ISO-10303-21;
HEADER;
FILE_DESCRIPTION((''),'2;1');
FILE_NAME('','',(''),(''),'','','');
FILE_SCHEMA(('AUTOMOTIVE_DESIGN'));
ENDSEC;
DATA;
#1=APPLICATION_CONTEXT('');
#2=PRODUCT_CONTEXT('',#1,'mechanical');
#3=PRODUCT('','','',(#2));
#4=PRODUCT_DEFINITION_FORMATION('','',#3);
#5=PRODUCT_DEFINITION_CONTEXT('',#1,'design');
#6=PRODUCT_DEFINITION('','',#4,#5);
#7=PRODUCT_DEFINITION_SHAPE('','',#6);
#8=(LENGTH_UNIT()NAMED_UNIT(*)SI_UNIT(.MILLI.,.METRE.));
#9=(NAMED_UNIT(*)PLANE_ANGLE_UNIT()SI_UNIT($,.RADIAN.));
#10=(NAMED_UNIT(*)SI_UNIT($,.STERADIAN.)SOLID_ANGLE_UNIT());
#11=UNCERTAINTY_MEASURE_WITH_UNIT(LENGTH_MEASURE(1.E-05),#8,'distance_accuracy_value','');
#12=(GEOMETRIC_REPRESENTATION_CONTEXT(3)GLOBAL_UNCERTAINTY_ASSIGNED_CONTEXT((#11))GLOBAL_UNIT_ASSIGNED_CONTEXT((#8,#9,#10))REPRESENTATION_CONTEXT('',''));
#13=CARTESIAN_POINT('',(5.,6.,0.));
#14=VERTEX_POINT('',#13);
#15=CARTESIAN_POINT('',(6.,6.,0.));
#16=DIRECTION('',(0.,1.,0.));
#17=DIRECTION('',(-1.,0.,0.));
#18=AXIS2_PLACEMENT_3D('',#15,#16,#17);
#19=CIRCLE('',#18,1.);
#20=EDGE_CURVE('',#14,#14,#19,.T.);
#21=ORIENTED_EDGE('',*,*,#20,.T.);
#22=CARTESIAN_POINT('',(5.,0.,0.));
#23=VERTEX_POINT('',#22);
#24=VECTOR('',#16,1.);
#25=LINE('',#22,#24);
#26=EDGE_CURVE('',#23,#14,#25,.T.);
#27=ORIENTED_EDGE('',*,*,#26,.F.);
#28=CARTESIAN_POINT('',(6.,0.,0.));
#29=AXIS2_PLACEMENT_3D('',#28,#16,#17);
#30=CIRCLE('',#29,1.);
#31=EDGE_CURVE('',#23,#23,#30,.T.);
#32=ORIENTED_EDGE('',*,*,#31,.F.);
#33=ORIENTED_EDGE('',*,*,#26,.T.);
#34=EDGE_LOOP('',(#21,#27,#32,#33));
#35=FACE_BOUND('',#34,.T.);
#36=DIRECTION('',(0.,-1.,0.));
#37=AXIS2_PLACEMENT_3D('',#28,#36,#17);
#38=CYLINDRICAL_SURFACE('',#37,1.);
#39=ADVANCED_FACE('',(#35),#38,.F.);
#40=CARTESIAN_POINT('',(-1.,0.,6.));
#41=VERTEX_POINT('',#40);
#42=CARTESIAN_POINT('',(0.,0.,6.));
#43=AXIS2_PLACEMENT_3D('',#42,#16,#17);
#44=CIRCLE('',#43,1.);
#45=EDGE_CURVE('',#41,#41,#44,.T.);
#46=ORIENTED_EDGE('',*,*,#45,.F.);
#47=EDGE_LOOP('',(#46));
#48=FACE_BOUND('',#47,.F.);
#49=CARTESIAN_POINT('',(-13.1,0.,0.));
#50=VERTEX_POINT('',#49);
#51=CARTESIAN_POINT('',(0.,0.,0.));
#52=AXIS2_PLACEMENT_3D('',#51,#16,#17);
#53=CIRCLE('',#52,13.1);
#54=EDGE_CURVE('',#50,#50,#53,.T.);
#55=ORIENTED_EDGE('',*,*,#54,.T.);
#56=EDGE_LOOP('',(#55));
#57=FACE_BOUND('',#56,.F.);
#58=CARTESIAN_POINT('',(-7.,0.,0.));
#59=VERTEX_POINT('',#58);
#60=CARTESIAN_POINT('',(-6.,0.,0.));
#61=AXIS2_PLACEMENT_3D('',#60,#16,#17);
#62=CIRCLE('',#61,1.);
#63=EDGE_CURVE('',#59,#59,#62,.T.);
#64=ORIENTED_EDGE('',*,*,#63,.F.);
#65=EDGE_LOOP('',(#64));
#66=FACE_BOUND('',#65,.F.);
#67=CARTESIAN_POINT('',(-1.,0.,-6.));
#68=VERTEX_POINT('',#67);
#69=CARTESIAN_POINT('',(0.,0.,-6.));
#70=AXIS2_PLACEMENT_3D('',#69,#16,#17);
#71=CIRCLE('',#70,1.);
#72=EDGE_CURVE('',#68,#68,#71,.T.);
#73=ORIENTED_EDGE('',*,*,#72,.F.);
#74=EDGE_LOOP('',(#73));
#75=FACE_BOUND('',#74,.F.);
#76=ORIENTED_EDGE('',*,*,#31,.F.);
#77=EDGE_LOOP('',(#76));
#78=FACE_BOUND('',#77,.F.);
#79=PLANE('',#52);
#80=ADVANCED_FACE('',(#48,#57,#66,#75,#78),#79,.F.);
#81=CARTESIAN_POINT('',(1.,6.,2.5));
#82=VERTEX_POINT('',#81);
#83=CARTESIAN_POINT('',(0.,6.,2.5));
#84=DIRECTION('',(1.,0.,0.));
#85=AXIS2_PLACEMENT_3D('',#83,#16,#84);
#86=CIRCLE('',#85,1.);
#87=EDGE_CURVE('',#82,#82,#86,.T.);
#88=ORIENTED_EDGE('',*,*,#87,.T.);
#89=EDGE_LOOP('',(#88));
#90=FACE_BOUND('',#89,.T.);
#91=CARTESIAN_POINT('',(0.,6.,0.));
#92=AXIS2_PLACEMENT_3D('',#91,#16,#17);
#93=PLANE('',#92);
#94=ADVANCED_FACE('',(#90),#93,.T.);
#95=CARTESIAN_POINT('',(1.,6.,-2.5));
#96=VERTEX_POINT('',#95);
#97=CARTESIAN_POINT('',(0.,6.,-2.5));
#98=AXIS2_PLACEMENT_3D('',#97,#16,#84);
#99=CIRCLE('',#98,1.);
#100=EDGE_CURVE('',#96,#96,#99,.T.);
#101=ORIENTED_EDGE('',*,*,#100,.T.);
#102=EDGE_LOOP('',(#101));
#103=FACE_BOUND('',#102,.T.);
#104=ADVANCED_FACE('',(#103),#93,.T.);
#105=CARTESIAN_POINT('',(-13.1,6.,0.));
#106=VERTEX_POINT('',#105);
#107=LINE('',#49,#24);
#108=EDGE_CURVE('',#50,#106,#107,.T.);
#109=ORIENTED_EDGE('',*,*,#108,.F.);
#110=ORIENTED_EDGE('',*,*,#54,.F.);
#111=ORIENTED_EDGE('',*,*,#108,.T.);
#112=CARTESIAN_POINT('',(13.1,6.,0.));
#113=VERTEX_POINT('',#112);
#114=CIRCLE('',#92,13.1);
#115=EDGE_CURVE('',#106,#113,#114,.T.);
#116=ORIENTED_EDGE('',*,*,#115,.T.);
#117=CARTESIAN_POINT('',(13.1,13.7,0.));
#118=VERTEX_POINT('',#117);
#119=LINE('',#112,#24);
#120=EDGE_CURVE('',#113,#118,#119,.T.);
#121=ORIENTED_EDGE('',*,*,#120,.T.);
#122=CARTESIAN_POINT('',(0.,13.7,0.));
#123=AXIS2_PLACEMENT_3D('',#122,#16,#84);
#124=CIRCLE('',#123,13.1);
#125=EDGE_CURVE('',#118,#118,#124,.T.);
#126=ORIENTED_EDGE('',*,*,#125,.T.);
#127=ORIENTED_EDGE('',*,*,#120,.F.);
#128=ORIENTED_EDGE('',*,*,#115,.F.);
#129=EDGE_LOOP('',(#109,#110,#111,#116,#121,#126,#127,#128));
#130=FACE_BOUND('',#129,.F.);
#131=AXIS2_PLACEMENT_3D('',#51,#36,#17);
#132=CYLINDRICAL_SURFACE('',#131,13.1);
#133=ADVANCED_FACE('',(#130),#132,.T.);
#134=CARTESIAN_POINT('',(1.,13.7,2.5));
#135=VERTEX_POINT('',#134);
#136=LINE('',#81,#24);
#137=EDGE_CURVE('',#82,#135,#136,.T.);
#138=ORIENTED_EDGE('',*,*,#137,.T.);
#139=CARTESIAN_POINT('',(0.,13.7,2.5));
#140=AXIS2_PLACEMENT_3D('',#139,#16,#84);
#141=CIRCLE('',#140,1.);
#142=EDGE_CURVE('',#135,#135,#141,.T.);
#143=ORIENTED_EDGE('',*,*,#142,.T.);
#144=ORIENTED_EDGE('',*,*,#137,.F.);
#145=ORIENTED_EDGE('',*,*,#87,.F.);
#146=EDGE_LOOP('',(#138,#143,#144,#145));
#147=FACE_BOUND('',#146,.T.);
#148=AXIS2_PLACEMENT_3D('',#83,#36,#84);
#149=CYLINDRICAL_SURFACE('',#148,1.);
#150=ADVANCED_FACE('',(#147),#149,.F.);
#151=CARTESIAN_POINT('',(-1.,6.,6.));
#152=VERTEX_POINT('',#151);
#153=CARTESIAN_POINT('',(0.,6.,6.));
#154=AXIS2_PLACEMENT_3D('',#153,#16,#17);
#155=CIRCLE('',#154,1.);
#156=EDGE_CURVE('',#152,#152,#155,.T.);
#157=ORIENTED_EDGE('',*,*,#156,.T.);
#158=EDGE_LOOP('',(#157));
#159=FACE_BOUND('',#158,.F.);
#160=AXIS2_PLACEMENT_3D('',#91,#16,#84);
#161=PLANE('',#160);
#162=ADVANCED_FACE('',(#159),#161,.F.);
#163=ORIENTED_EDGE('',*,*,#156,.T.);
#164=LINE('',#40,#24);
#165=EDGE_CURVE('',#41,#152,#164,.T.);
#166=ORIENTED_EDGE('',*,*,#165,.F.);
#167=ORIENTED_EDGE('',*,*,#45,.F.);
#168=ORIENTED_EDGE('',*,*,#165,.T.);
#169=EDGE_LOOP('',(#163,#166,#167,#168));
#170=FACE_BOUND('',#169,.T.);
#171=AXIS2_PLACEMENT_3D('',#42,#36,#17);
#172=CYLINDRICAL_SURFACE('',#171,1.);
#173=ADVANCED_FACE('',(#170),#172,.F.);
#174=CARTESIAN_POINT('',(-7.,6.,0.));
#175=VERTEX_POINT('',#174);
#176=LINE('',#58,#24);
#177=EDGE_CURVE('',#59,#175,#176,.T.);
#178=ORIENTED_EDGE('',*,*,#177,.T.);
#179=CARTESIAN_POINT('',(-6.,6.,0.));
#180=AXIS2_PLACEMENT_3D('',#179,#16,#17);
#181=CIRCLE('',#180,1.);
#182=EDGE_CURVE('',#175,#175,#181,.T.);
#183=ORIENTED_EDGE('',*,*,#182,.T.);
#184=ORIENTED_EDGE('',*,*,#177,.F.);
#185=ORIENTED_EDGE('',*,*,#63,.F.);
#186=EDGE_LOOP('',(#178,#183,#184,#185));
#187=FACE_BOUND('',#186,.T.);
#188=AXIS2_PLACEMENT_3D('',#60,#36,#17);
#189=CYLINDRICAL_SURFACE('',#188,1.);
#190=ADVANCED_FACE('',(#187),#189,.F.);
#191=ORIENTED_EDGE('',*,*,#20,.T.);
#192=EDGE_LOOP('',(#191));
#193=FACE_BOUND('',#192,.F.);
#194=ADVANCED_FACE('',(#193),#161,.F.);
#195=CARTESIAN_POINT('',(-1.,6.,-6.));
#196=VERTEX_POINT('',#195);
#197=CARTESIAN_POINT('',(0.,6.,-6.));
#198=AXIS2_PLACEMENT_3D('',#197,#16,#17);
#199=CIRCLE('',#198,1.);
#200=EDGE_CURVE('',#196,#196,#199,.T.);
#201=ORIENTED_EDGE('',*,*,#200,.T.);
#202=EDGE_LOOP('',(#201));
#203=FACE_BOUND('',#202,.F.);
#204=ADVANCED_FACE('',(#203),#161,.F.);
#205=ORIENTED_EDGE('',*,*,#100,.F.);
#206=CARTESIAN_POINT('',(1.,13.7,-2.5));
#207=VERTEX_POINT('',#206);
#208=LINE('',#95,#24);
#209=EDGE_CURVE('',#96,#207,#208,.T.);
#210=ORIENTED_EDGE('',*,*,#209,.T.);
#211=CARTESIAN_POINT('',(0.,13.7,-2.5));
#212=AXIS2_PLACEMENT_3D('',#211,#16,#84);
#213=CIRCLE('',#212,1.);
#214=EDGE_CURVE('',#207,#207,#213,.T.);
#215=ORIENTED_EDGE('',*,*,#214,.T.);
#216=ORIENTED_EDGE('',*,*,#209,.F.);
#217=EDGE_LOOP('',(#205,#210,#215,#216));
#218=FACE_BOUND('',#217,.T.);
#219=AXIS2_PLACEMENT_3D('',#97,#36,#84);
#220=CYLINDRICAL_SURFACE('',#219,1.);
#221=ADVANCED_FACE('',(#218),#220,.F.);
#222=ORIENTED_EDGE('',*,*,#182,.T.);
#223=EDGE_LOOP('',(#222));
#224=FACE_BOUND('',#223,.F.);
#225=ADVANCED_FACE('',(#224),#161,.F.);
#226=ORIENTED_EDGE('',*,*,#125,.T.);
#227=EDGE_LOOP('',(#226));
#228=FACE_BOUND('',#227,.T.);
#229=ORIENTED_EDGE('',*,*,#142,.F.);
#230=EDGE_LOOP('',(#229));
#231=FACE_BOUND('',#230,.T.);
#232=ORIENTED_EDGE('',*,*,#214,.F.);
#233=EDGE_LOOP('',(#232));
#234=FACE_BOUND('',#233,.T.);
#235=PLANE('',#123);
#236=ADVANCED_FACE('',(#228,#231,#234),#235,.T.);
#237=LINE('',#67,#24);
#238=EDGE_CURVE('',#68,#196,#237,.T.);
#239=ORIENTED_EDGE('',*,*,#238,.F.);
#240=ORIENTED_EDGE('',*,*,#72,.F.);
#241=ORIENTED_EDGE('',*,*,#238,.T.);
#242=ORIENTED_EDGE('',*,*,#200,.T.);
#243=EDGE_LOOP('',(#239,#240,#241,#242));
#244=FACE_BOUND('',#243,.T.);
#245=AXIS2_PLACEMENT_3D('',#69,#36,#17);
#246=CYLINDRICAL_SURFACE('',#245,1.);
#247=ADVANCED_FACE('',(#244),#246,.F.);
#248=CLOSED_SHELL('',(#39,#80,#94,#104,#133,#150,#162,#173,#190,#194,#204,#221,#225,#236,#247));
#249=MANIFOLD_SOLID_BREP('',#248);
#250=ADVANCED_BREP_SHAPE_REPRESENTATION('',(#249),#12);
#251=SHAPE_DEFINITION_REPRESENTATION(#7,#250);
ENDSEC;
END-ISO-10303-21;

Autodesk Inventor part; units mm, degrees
ref_plane "YZ Plane" through (0, 0, 0) normal (1, 0, 0) x (0, 1, 0)
ref_plane "XZ Plane" through (0, 0, 0) normal (0, 1, 0) x (-1, 0, 0)
ref_plane "XY Plane" through (0, 0, 0) normal (0, 0, 1) x (1, 0, 0)
sketch "Sketch1" plane through (0, 0, 0) normal (0, 1, 0) x (-1, 0, 0)
  circle A0 centre (0, 0) radius 6 construction
  circle A1 centre (6, 0) radius 1
  circle A2 centre (0, 6) radius 1
  circle A3 centre (-6, 0) radius 1
  circle A4 centre (0, -6) radius 1
  circle A5 centre (0, 0) radius 13.1
  dimension "d0" = 12
  dimension "d1" = 2
  dimension "d2" = 2
  dimension "d3" = 2
  dimension "d4" = 2
  dimension "d10" = 26.2
extrude "Extrusion1" add sketch "Sketch1" along normal blind 6
sketch "Sketch2" plane through (0, 6, 0) normal (0, 1, 0) x (1, 0, 0)
  circle A0 centre (0, 0) radius 13.1 projected
  circle A1 centre (0, 0) radius 2.5 construction
  circle A2 centre (0, -2.5) radius 1
  circle A3 centre (0, 2.5) radius 1
  dimension "d7" = 5
  dimension "d8" = 2
  dimension "d9" = 2
extrude "Extrusion2" add sketch "Sketch2" along normal blind 7.7
properties part number "motor_subsitude"
